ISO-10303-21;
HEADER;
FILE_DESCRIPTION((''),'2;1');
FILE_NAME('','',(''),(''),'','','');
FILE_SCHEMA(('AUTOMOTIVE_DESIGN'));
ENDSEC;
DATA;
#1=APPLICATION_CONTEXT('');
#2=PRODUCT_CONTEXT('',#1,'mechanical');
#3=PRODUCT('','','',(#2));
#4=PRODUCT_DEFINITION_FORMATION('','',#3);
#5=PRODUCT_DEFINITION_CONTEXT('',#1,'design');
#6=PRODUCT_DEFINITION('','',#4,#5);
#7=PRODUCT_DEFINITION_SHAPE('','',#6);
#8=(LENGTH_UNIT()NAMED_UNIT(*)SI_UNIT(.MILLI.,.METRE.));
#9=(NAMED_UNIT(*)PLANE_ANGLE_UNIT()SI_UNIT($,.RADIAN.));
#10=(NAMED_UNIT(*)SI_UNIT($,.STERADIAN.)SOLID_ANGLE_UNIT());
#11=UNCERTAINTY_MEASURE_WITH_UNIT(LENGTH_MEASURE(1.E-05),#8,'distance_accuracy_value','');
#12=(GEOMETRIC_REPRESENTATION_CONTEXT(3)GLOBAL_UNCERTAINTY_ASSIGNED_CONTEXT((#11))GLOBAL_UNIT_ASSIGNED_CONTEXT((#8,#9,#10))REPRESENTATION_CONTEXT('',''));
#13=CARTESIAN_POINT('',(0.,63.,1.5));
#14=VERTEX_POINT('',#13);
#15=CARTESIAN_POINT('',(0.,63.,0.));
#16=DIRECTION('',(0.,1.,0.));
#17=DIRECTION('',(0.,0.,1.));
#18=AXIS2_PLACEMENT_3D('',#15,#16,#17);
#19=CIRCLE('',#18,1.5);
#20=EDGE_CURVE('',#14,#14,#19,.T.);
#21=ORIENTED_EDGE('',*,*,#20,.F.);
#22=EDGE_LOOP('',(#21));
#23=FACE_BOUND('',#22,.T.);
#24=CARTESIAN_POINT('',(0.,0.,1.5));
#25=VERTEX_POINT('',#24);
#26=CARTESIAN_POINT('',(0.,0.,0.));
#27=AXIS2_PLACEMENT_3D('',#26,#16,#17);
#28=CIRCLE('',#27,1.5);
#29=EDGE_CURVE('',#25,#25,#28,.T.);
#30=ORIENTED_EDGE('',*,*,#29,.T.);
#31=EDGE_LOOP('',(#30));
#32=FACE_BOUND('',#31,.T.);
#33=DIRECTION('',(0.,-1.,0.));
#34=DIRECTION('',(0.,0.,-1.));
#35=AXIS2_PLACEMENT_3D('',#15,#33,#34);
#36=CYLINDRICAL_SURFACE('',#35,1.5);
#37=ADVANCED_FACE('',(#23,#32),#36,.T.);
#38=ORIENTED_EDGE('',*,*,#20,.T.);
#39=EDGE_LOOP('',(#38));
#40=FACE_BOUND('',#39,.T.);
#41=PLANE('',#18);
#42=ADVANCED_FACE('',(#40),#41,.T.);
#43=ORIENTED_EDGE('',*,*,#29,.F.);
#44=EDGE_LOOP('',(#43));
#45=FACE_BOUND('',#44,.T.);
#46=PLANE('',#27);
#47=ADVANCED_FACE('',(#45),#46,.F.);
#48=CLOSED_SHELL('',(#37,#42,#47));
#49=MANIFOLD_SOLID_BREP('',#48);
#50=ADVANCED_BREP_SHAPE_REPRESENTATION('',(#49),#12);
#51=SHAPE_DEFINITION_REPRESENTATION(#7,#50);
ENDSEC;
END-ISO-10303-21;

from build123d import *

# Parameters (mm, degrees)
SKETCH1_R           = 1.5
BOSS_EXTRUDE1_DEPTH = 63


with BuildPart() as part:
    # Sketch1 → Boss-Extrude1 (new body)
    with BuildSketch(Plane(origin=(0, 0, 0), x_dir=(1, 0, 0), z_dir=(0, 1, 0))):
        Circle(SKETCH1_R)
    extrude(amount=BOSS_EXTRUDE1_DEPTH)


solid = part.part
